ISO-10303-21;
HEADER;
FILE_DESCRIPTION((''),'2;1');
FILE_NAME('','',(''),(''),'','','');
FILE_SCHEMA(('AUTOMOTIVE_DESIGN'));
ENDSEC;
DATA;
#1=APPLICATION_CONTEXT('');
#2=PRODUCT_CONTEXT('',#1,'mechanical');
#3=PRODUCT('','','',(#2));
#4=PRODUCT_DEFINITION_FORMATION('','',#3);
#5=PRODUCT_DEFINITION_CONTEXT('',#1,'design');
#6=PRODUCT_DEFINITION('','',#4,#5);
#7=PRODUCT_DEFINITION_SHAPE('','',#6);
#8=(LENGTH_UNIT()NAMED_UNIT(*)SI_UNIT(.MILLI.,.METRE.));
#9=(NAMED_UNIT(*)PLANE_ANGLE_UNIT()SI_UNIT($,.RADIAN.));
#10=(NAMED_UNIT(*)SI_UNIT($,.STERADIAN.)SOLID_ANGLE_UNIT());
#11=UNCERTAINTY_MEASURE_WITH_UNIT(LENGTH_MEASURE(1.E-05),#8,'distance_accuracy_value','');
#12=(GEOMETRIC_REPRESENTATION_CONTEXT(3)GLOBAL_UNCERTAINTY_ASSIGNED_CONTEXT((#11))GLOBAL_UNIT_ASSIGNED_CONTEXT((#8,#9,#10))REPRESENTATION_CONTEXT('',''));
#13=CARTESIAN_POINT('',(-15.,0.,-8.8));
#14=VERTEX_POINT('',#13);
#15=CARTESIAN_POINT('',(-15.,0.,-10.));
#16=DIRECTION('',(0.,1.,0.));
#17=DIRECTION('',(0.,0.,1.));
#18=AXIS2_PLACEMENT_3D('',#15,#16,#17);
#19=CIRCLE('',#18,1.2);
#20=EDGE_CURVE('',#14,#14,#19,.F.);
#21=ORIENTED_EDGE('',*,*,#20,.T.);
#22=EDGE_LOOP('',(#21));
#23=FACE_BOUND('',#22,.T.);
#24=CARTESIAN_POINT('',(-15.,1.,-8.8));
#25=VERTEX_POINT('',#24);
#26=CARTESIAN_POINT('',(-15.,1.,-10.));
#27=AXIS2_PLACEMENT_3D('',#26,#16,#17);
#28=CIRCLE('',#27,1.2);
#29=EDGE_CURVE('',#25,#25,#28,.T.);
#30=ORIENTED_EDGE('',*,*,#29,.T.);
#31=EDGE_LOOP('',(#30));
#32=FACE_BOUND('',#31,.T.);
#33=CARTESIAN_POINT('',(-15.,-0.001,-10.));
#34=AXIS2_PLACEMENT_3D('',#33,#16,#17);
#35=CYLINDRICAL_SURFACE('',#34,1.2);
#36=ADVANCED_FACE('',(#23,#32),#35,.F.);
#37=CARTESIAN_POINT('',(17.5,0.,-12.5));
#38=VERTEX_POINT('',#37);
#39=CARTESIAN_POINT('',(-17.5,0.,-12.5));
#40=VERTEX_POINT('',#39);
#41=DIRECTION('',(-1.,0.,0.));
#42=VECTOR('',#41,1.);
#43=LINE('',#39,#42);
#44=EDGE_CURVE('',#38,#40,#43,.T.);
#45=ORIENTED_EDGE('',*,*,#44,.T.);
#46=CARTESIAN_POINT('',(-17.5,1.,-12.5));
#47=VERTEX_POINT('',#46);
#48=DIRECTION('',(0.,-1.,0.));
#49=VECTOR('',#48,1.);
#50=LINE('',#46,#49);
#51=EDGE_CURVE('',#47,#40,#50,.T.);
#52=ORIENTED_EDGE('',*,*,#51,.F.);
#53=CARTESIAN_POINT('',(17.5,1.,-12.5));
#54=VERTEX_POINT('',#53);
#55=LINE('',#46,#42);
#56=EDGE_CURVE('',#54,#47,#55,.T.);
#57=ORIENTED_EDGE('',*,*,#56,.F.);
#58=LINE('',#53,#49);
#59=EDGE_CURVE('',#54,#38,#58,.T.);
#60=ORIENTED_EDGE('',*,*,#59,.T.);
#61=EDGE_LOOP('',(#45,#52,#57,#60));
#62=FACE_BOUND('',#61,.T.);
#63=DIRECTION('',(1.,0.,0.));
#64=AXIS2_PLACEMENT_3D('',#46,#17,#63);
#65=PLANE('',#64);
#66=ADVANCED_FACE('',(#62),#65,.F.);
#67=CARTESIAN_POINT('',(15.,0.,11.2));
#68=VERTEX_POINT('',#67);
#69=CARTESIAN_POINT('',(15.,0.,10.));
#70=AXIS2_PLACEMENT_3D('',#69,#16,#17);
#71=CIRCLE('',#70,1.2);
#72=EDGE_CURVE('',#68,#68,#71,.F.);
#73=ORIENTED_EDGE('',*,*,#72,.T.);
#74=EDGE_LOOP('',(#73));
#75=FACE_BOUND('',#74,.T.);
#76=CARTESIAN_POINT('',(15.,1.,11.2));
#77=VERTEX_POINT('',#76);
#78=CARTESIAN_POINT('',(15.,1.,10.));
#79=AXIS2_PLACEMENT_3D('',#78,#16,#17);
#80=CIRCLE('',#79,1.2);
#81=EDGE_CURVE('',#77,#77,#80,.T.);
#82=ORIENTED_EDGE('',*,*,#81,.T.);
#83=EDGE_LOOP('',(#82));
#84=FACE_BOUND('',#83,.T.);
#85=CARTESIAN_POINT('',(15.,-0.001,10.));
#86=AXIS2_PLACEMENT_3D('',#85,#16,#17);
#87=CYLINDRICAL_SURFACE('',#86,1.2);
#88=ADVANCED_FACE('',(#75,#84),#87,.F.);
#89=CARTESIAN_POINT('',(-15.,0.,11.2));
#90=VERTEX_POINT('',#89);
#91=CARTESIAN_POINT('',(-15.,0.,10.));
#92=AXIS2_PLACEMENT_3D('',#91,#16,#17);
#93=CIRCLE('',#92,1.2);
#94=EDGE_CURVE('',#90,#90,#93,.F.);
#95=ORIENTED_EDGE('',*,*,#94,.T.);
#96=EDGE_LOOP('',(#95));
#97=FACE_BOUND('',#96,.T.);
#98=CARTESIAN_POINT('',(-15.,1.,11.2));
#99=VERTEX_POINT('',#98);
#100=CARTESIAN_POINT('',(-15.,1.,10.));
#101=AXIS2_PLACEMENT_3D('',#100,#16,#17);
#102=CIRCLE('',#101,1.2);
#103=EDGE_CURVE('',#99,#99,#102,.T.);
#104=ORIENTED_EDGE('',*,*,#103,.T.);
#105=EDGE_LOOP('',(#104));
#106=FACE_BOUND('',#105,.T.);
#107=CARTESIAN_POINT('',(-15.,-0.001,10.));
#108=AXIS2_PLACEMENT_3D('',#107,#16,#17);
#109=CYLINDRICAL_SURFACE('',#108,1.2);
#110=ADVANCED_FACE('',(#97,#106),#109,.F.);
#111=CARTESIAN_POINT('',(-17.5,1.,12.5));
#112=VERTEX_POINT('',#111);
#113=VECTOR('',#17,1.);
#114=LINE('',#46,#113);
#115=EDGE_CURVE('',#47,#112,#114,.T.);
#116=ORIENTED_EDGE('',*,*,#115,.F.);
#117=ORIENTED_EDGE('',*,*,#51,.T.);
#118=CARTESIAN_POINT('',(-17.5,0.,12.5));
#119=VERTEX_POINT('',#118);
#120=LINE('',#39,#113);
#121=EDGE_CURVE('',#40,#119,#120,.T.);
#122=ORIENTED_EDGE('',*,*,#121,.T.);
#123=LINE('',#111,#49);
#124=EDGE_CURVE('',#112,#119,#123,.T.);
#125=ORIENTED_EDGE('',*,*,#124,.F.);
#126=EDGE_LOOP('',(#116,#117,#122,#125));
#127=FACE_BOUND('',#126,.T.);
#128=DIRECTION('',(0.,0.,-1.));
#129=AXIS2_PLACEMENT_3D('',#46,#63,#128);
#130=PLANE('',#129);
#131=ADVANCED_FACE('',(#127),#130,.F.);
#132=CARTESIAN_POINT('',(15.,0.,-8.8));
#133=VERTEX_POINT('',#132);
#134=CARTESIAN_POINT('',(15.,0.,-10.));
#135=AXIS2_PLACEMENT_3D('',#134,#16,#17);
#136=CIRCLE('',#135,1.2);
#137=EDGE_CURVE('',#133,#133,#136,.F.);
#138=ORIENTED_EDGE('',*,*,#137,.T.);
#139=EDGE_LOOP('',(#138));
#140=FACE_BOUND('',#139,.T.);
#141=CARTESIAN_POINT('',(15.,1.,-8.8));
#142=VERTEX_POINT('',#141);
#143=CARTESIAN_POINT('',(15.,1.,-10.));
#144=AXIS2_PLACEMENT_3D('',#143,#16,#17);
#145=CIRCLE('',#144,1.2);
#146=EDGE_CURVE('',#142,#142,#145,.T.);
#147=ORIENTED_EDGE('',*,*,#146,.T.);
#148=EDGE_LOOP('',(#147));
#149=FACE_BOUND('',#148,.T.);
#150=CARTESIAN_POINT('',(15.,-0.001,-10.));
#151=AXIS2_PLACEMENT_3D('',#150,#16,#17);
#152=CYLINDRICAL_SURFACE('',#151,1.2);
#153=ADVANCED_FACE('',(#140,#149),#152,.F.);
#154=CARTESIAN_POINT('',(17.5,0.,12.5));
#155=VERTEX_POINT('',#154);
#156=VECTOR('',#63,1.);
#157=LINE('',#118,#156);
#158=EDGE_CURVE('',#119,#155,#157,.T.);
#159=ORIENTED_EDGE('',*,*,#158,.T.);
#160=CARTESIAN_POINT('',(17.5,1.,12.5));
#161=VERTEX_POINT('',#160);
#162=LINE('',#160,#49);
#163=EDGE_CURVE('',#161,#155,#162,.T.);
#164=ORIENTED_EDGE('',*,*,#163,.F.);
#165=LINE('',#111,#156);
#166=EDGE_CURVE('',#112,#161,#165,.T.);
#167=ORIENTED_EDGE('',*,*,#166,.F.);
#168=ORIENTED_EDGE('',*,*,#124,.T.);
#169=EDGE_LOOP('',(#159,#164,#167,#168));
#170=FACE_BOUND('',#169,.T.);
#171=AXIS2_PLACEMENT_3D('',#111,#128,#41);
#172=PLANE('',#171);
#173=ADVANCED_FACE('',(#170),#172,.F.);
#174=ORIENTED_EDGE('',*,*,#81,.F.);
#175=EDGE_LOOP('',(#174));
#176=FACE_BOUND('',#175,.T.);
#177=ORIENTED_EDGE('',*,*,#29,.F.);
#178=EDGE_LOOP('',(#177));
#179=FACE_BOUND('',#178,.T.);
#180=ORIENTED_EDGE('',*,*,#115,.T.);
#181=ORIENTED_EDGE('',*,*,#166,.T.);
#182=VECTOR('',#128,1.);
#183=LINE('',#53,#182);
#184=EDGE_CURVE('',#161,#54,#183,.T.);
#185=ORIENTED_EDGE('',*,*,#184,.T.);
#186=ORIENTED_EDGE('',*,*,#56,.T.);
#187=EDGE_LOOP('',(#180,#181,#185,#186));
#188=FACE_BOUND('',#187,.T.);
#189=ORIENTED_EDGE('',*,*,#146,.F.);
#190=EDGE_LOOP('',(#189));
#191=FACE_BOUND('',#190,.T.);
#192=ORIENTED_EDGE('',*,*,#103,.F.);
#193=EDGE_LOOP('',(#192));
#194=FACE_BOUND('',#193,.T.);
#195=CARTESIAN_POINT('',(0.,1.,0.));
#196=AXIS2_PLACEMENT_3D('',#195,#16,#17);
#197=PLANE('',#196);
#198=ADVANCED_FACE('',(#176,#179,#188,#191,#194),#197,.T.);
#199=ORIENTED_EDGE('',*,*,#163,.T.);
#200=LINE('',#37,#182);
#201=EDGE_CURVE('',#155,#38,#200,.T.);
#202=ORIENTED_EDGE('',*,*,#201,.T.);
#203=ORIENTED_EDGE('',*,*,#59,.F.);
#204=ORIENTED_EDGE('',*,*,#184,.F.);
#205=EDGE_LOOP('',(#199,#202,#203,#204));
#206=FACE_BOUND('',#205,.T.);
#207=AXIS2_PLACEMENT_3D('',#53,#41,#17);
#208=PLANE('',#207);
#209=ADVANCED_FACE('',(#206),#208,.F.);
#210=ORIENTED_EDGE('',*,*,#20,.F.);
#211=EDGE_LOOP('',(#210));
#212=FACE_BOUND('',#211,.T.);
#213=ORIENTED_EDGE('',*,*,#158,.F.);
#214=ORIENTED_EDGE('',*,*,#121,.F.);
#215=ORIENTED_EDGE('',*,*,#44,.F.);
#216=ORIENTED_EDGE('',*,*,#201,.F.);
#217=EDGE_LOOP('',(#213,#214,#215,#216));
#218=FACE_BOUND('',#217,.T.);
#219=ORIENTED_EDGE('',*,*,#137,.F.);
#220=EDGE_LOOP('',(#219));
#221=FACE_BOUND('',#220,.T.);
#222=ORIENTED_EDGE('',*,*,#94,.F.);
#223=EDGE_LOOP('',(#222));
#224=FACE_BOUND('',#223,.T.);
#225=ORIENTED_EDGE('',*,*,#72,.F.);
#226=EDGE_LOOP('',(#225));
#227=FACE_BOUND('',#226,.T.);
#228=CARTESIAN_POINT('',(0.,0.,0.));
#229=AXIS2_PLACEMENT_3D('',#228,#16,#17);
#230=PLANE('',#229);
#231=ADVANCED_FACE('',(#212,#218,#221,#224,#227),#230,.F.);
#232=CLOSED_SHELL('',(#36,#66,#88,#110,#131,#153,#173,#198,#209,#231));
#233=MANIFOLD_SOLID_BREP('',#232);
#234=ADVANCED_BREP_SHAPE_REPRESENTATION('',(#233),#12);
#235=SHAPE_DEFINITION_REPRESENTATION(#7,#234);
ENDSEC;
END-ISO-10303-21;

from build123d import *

# Parameters (mm, degrees)
SKICA2_W                 = 35
SKICA2_H                 = 25
P_IDAT_VYSUNUT_M1_DEPTH  = 1
SKICA3_R                 = 1.2
ODEBRAT_VYSUNUT_M1_DEPTH = 1
LINPOLE1_COUNT           = 2
LINPOLE1_PITCH           = 30
LINPOLE1_COUNT_DIR2      = 2
LINPOLE1_PITCH_DIR2      = 20


with BuildPart() as part:
    # Skica2 → Přidat vysunutím1 (new body)
    with BuildSketch(Plane(origin=(0, 0, 0), x_dir=(1, 0, 0), z_dir=(0, 1, 0))):
        Rectangle(SKICA2_W, SKICA2_H)
    extrude(amount=P_IDAT_VYSUNUT_M1_DEPTH)

    # Skica3 → Odebrat vysunutím1 (cut)
    with BuildSketch(Plane(origin=(0, 1, 0), x_dir=(1, 0, 0), z_dir=(0, 1, 0))):
        with Locations((-15, 10)):
            Circle(SKICA3_R)
    odebrat_vysunut_m1 = extrude(amount=-ODEBRAT_VYSUNUT_M1_DEPTH, mode=Mode.SUBTRACT)

    # LinPole1: Odebrat vysunut_m1 2 × 2
    with Locations(*[(i * LINPOLE1_PITCH, 0, j * LINPOLE1_PITCH_DIR2) for i in range(LINPOLE1_COUNT) for j in range(LINPOLE1_COUNT_DIR2) if (i, j) != (0, 0)]):
        add(odebrat_vysunut_m1, mode=Mode.SUBTRACT)


solid = part.part
